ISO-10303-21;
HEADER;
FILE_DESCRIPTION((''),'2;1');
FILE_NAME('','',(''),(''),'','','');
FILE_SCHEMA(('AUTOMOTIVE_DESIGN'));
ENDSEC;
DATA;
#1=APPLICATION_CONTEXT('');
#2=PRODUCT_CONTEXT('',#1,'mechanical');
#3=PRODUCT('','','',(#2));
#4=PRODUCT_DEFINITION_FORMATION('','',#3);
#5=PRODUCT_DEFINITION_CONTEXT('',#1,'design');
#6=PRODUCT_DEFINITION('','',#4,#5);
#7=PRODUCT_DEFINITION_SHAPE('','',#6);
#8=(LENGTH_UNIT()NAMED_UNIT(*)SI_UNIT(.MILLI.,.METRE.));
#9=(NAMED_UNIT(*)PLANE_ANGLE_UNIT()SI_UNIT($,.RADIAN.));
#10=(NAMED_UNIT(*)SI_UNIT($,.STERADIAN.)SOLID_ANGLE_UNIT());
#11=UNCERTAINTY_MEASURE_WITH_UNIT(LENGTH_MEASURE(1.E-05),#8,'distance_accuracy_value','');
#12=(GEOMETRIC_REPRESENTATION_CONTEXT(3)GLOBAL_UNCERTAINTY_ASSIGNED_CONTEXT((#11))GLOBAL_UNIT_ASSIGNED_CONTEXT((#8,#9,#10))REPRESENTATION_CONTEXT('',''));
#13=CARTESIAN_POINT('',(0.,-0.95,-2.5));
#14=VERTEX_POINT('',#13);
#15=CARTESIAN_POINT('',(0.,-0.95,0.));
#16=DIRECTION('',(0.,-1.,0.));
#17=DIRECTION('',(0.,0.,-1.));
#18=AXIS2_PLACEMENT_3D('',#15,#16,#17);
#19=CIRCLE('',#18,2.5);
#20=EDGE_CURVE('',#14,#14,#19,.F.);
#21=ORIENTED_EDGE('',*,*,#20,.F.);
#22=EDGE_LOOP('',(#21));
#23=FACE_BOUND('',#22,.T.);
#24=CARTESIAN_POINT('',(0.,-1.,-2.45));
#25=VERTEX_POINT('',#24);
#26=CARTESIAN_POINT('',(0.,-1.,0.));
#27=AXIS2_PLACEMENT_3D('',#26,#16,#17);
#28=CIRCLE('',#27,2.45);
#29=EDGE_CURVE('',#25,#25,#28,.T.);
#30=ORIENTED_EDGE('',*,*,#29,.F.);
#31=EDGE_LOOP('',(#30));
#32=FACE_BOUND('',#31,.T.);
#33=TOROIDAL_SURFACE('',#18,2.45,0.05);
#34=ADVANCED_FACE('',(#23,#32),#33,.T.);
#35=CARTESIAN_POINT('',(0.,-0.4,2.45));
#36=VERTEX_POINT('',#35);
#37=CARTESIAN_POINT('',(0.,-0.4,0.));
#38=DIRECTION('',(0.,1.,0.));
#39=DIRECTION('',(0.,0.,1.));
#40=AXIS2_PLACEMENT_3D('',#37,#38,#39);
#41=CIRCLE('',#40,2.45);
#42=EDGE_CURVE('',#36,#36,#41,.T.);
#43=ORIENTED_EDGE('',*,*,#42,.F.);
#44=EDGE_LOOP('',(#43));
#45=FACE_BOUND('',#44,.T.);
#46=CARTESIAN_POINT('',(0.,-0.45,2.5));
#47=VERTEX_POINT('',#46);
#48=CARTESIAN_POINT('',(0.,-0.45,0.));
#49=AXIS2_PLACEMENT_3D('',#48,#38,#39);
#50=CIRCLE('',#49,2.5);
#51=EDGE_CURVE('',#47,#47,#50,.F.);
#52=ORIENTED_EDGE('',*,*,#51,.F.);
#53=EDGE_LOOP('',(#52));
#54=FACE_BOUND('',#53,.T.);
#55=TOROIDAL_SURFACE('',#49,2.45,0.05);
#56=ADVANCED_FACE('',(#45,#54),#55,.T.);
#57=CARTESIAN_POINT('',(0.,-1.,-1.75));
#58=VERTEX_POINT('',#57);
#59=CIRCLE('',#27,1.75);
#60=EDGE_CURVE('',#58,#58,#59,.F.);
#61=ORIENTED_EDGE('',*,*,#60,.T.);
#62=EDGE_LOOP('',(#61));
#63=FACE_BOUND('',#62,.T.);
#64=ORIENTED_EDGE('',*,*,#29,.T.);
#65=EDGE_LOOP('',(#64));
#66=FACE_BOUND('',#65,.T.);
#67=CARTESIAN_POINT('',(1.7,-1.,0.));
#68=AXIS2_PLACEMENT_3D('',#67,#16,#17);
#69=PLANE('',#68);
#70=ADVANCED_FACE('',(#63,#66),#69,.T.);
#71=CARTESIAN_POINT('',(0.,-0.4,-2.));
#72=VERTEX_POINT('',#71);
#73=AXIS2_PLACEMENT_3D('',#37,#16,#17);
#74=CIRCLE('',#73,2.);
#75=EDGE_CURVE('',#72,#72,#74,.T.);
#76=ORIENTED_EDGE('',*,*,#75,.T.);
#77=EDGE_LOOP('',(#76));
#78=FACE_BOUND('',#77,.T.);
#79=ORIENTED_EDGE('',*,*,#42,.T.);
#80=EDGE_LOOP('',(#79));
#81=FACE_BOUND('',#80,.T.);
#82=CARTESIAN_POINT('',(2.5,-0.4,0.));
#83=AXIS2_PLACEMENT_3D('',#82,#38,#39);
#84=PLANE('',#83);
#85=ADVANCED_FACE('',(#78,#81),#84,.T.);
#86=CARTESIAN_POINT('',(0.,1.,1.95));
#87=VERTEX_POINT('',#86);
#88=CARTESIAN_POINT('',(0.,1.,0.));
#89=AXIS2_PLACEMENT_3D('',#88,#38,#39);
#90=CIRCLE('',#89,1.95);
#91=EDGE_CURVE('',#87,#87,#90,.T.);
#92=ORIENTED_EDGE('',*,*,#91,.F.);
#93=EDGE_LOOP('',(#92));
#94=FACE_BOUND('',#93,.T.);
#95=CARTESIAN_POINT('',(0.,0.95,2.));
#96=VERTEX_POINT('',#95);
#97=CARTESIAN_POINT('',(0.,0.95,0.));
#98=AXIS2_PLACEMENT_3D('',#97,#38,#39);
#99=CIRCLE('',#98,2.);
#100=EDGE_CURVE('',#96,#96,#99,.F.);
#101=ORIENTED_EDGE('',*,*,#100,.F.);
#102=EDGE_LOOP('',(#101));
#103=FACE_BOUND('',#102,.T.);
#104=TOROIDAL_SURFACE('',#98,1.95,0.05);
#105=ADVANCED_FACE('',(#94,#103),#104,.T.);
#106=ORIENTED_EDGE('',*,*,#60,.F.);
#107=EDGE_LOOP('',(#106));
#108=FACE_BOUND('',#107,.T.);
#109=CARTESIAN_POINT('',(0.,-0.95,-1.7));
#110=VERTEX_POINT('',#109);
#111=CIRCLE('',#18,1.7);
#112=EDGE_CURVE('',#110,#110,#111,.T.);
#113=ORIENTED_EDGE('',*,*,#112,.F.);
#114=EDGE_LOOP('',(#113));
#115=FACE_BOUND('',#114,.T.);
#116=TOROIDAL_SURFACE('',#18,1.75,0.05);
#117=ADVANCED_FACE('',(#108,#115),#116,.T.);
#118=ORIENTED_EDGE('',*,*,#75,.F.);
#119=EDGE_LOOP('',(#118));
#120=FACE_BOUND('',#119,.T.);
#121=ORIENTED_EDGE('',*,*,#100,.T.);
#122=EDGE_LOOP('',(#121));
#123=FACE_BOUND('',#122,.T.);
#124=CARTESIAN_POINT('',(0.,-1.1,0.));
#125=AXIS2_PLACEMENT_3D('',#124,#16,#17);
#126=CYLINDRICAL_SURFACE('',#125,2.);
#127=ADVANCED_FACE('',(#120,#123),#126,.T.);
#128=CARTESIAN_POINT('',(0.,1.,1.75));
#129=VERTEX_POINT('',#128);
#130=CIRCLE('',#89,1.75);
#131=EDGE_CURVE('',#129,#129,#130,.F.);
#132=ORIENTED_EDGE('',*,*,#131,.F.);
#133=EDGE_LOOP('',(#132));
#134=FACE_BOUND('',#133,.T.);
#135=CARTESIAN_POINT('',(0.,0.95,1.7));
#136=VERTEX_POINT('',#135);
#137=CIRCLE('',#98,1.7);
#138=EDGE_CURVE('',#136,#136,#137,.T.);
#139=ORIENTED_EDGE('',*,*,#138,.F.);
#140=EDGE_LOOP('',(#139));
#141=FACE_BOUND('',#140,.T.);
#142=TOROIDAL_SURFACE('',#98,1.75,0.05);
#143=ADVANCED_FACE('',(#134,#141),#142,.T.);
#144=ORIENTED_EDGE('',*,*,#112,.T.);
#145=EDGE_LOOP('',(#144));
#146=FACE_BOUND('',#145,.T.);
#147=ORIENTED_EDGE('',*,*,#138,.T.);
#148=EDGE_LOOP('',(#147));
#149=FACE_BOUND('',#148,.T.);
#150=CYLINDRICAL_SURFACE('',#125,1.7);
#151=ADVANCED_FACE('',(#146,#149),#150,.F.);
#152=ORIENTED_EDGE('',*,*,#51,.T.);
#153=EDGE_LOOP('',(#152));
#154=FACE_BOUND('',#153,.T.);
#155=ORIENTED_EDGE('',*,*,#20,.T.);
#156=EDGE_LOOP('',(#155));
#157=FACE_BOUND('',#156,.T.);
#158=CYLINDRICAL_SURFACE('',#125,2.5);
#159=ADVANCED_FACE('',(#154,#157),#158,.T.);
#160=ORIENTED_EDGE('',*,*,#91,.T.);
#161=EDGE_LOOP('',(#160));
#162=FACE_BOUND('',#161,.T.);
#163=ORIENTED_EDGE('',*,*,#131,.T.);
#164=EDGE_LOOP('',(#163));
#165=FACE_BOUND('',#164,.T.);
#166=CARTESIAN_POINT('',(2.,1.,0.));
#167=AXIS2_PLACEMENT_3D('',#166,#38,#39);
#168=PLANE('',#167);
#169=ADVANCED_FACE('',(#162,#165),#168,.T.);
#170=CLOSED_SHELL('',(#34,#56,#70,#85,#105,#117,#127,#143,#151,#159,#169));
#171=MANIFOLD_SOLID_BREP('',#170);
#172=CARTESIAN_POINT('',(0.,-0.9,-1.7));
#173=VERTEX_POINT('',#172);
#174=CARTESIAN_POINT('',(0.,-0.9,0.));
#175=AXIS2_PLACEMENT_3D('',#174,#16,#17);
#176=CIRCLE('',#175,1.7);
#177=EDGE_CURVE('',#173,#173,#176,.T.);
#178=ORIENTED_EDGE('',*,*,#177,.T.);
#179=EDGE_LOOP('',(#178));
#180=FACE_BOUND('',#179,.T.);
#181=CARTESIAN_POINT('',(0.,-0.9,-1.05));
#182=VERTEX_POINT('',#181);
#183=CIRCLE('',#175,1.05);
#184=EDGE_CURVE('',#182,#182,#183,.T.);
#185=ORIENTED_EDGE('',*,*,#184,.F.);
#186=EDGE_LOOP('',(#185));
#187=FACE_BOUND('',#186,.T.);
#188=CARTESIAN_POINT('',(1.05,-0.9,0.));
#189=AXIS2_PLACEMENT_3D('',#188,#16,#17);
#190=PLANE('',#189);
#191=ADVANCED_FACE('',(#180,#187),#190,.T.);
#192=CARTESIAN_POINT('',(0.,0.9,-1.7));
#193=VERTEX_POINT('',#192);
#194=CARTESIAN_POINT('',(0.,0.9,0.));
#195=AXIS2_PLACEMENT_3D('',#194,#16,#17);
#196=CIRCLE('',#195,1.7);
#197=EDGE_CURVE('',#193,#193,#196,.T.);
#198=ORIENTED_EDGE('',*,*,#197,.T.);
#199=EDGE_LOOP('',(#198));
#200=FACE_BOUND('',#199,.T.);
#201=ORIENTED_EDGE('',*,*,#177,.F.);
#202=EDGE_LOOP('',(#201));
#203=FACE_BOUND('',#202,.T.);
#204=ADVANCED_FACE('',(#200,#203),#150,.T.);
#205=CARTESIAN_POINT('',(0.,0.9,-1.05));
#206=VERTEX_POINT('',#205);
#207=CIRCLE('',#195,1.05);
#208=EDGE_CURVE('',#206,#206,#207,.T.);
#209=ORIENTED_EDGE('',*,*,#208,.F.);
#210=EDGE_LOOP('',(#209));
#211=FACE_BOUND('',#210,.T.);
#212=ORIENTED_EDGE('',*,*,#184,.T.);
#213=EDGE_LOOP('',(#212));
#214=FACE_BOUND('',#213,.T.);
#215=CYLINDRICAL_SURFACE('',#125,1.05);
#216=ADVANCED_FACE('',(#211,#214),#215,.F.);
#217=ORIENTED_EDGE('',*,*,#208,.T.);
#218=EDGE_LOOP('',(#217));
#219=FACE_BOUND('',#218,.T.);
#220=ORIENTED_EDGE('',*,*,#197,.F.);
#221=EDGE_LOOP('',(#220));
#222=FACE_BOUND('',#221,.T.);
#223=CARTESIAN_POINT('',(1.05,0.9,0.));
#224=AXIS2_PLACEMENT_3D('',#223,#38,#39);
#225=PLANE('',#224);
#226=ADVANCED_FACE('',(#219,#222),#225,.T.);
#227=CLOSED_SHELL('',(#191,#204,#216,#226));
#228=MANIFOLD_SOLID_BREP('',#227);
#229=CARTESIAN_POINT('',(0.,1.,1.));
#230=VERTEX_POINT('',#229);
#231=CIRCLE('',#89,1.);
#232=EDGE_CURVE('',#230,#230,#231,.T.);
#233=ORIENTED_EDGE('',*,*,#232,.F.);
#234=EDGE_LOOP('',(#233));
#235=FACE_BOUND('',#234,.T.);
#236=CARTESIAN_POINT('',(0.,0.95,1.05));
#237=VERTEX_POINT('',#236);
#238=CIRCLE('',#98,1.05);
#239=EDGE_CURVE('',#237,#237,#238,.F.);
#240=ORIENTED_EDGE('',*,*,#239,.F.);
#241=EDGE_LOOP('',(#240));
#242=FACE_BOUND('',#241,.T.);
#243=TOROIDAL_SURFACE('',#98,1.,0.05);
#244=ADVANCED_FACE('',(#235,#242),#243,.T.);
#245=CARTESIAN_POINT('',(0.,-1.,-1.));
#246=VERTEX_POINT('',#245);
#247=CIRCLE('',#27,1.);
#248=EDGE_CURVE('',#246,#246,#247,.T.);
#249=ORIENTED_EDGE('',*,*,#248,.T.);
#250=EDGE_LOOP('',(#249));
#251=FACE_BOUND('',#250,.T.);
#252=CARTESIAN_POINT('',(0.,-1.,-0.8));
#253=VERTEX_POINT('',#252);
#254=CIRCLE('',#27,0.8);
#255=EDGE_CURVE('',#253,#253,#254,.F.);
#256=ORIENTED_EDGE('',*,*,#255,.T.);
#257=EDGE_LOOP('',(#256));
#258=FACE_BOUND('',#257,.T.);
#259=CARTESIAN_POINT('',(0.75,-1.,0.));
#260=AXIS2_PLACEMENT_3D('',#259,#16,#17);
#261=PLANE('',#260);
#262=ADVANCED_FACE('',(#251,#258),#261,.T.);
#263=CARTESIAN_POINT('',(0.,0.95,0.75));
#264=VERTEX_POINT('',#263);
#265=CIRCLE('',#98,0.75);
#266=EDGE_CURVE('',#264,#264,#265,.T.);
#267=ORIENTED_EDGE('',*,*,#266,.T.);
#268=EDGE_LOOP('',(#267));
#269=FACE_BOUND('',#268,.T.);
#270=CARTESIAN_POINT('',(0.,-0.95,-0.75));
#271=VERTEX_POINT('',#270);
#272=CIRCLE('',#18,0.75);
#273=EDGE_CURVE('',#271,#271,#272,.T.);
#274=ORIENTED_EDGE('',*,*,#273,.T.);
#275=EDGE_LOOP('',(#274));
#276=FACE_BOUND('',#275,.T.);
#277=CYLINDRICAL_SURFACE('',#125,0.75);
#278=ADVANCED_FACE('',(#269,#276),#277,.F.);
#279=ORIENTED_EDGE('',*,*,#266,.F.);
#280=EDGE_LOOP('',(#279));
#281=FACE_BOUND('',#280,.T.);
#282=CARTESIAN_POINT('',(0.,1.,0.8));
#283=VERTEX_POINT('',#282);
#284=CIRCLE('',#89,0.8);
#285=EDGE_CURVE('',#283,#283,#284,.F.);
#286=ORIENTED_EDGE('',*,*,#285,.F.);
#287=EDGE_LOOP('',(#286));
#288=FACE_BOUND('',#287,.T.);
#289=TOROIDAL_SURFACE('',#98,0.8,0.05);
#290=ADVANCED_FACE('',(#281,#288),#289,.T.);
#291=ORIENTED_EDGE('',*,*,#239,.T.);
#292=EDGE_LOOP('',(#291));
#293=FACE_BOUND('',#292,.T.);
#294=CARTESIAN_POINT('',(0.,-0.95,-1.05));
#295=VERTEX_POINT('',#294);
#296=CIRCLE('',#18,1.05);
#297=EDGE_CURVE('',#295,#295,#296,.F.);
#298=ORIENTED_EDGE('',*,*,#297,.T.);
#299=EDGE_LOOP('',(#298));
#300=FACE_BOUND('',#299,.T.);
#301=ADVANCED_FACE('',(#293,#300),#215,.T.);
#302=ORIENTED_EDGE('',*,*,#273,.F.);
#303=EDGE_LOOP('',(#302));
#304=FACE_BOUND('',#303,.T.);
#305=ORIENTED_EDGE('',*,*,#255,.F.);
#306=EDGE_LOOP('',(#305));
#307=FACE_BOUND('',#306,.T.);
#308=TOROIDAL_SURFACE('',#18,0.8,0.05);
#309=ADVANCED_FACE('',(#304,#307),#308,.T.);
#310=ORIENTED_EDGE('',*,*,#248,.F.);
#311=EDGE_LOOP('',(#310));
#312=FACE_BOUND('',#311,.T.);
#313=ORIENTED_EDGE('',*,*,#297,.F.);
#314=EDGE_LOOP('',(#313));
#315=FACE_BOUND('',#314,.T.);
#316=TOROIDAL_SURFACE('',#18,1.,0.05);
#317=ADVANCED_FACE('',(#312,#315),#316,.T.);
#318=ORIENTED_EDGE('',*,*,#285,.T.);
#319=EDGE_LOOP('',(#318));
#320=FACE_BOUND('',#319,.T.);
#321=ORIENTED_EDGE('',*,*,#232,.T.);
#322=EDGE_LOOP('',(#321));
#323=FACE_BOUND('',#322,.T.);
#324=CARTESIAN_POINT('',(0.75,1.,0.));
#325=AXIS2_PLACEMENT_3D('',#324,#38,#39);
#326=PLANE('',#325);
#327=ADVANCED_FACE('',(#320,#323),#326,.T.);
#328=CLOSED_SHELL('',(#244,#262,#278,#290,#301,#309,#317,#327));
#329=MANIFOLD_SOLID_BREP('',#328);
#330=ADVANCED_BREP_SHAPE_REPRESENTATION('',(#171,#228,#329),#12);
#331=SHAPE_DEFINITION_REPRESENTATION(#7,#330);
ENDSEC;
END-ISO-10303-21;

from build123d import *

# Parameters (mm, degrees)
SKETCH1_W = 0.3
SKETCH1_H = 2
SKETCH3_W = 0.65
SKETCH3_H = 1.8
FILLET1_R = 0.05
FILLET2_R = 0.05


with BuildPart() as part:
    # Sketch1 → Revolve1 (revolve)
    with BuildSketch(Plane.XY, mode=Mode.PRIVATE) as revolve1_sk:
        with Locations((0.9, 0)):
            Rectangle(SKETCH1_W, SKETCH1_H)
    revolve(revolve1_sk.sketch.rotate(Axis((0, -1.1, 0), (0, 1, 0)), 90), axis=Axis((0, -1.1, 0), (0, 1, 0)))

    # Fillet1
    fillet1_edges = [part.edges().sort_by_distance(p)[0] for p in [
        (0, 1, 0.75),
        (0, 1, 1.05),
        (0, -1, 1.05),
        (0, -1, 0.75),
    ]]
    fillet(fillet1_edges, radius=FILLET1_R)


with BuildPart() as body_2:
    # Sketch2 → Revolve2 (revolve)
    with BuildSketch(Plane.XY, mode=Mode.PRIVATE) as revolve2_sk:
        Polygon((1.7, 1), (1.7, -1), (2.5, -1), (2.5, -0.4), (2, -0.4), (2, 1), align=None)
    revolve(revolve2_sk.sketch.rotate(Axis((0, -1.1, 0), (0, 1, 0)), 90), axis=Axis((0, -1.1, 0), (0, 1, 0)))

    # Fillet2
    fillet2_edges = [body_2.edges().sort_by_distance(p)[0] for p in [
        (0, -1, 2.5),
        (0, -1, 1.7),
        (0, 1, 1.7),
        (0, 1, 2),
        (0, -0.4, 2.5),
    ]]
    fillet(fillet2_edges, radius=FILLET2_R)


with BuildPart() as body_3:
    # Sketch3 → Revolve3 (revolve)
    with BuildSketch(Plane.XY):
        with Locations((1.375, 0)):
            Rectangle(SKETCH3_W, SKETCH3_H)
    revolve(axis=Axis((0, -1.1, 0), (0, 1, 0)))


solid = Compound([part.part, body_2.part, body_3.part])
